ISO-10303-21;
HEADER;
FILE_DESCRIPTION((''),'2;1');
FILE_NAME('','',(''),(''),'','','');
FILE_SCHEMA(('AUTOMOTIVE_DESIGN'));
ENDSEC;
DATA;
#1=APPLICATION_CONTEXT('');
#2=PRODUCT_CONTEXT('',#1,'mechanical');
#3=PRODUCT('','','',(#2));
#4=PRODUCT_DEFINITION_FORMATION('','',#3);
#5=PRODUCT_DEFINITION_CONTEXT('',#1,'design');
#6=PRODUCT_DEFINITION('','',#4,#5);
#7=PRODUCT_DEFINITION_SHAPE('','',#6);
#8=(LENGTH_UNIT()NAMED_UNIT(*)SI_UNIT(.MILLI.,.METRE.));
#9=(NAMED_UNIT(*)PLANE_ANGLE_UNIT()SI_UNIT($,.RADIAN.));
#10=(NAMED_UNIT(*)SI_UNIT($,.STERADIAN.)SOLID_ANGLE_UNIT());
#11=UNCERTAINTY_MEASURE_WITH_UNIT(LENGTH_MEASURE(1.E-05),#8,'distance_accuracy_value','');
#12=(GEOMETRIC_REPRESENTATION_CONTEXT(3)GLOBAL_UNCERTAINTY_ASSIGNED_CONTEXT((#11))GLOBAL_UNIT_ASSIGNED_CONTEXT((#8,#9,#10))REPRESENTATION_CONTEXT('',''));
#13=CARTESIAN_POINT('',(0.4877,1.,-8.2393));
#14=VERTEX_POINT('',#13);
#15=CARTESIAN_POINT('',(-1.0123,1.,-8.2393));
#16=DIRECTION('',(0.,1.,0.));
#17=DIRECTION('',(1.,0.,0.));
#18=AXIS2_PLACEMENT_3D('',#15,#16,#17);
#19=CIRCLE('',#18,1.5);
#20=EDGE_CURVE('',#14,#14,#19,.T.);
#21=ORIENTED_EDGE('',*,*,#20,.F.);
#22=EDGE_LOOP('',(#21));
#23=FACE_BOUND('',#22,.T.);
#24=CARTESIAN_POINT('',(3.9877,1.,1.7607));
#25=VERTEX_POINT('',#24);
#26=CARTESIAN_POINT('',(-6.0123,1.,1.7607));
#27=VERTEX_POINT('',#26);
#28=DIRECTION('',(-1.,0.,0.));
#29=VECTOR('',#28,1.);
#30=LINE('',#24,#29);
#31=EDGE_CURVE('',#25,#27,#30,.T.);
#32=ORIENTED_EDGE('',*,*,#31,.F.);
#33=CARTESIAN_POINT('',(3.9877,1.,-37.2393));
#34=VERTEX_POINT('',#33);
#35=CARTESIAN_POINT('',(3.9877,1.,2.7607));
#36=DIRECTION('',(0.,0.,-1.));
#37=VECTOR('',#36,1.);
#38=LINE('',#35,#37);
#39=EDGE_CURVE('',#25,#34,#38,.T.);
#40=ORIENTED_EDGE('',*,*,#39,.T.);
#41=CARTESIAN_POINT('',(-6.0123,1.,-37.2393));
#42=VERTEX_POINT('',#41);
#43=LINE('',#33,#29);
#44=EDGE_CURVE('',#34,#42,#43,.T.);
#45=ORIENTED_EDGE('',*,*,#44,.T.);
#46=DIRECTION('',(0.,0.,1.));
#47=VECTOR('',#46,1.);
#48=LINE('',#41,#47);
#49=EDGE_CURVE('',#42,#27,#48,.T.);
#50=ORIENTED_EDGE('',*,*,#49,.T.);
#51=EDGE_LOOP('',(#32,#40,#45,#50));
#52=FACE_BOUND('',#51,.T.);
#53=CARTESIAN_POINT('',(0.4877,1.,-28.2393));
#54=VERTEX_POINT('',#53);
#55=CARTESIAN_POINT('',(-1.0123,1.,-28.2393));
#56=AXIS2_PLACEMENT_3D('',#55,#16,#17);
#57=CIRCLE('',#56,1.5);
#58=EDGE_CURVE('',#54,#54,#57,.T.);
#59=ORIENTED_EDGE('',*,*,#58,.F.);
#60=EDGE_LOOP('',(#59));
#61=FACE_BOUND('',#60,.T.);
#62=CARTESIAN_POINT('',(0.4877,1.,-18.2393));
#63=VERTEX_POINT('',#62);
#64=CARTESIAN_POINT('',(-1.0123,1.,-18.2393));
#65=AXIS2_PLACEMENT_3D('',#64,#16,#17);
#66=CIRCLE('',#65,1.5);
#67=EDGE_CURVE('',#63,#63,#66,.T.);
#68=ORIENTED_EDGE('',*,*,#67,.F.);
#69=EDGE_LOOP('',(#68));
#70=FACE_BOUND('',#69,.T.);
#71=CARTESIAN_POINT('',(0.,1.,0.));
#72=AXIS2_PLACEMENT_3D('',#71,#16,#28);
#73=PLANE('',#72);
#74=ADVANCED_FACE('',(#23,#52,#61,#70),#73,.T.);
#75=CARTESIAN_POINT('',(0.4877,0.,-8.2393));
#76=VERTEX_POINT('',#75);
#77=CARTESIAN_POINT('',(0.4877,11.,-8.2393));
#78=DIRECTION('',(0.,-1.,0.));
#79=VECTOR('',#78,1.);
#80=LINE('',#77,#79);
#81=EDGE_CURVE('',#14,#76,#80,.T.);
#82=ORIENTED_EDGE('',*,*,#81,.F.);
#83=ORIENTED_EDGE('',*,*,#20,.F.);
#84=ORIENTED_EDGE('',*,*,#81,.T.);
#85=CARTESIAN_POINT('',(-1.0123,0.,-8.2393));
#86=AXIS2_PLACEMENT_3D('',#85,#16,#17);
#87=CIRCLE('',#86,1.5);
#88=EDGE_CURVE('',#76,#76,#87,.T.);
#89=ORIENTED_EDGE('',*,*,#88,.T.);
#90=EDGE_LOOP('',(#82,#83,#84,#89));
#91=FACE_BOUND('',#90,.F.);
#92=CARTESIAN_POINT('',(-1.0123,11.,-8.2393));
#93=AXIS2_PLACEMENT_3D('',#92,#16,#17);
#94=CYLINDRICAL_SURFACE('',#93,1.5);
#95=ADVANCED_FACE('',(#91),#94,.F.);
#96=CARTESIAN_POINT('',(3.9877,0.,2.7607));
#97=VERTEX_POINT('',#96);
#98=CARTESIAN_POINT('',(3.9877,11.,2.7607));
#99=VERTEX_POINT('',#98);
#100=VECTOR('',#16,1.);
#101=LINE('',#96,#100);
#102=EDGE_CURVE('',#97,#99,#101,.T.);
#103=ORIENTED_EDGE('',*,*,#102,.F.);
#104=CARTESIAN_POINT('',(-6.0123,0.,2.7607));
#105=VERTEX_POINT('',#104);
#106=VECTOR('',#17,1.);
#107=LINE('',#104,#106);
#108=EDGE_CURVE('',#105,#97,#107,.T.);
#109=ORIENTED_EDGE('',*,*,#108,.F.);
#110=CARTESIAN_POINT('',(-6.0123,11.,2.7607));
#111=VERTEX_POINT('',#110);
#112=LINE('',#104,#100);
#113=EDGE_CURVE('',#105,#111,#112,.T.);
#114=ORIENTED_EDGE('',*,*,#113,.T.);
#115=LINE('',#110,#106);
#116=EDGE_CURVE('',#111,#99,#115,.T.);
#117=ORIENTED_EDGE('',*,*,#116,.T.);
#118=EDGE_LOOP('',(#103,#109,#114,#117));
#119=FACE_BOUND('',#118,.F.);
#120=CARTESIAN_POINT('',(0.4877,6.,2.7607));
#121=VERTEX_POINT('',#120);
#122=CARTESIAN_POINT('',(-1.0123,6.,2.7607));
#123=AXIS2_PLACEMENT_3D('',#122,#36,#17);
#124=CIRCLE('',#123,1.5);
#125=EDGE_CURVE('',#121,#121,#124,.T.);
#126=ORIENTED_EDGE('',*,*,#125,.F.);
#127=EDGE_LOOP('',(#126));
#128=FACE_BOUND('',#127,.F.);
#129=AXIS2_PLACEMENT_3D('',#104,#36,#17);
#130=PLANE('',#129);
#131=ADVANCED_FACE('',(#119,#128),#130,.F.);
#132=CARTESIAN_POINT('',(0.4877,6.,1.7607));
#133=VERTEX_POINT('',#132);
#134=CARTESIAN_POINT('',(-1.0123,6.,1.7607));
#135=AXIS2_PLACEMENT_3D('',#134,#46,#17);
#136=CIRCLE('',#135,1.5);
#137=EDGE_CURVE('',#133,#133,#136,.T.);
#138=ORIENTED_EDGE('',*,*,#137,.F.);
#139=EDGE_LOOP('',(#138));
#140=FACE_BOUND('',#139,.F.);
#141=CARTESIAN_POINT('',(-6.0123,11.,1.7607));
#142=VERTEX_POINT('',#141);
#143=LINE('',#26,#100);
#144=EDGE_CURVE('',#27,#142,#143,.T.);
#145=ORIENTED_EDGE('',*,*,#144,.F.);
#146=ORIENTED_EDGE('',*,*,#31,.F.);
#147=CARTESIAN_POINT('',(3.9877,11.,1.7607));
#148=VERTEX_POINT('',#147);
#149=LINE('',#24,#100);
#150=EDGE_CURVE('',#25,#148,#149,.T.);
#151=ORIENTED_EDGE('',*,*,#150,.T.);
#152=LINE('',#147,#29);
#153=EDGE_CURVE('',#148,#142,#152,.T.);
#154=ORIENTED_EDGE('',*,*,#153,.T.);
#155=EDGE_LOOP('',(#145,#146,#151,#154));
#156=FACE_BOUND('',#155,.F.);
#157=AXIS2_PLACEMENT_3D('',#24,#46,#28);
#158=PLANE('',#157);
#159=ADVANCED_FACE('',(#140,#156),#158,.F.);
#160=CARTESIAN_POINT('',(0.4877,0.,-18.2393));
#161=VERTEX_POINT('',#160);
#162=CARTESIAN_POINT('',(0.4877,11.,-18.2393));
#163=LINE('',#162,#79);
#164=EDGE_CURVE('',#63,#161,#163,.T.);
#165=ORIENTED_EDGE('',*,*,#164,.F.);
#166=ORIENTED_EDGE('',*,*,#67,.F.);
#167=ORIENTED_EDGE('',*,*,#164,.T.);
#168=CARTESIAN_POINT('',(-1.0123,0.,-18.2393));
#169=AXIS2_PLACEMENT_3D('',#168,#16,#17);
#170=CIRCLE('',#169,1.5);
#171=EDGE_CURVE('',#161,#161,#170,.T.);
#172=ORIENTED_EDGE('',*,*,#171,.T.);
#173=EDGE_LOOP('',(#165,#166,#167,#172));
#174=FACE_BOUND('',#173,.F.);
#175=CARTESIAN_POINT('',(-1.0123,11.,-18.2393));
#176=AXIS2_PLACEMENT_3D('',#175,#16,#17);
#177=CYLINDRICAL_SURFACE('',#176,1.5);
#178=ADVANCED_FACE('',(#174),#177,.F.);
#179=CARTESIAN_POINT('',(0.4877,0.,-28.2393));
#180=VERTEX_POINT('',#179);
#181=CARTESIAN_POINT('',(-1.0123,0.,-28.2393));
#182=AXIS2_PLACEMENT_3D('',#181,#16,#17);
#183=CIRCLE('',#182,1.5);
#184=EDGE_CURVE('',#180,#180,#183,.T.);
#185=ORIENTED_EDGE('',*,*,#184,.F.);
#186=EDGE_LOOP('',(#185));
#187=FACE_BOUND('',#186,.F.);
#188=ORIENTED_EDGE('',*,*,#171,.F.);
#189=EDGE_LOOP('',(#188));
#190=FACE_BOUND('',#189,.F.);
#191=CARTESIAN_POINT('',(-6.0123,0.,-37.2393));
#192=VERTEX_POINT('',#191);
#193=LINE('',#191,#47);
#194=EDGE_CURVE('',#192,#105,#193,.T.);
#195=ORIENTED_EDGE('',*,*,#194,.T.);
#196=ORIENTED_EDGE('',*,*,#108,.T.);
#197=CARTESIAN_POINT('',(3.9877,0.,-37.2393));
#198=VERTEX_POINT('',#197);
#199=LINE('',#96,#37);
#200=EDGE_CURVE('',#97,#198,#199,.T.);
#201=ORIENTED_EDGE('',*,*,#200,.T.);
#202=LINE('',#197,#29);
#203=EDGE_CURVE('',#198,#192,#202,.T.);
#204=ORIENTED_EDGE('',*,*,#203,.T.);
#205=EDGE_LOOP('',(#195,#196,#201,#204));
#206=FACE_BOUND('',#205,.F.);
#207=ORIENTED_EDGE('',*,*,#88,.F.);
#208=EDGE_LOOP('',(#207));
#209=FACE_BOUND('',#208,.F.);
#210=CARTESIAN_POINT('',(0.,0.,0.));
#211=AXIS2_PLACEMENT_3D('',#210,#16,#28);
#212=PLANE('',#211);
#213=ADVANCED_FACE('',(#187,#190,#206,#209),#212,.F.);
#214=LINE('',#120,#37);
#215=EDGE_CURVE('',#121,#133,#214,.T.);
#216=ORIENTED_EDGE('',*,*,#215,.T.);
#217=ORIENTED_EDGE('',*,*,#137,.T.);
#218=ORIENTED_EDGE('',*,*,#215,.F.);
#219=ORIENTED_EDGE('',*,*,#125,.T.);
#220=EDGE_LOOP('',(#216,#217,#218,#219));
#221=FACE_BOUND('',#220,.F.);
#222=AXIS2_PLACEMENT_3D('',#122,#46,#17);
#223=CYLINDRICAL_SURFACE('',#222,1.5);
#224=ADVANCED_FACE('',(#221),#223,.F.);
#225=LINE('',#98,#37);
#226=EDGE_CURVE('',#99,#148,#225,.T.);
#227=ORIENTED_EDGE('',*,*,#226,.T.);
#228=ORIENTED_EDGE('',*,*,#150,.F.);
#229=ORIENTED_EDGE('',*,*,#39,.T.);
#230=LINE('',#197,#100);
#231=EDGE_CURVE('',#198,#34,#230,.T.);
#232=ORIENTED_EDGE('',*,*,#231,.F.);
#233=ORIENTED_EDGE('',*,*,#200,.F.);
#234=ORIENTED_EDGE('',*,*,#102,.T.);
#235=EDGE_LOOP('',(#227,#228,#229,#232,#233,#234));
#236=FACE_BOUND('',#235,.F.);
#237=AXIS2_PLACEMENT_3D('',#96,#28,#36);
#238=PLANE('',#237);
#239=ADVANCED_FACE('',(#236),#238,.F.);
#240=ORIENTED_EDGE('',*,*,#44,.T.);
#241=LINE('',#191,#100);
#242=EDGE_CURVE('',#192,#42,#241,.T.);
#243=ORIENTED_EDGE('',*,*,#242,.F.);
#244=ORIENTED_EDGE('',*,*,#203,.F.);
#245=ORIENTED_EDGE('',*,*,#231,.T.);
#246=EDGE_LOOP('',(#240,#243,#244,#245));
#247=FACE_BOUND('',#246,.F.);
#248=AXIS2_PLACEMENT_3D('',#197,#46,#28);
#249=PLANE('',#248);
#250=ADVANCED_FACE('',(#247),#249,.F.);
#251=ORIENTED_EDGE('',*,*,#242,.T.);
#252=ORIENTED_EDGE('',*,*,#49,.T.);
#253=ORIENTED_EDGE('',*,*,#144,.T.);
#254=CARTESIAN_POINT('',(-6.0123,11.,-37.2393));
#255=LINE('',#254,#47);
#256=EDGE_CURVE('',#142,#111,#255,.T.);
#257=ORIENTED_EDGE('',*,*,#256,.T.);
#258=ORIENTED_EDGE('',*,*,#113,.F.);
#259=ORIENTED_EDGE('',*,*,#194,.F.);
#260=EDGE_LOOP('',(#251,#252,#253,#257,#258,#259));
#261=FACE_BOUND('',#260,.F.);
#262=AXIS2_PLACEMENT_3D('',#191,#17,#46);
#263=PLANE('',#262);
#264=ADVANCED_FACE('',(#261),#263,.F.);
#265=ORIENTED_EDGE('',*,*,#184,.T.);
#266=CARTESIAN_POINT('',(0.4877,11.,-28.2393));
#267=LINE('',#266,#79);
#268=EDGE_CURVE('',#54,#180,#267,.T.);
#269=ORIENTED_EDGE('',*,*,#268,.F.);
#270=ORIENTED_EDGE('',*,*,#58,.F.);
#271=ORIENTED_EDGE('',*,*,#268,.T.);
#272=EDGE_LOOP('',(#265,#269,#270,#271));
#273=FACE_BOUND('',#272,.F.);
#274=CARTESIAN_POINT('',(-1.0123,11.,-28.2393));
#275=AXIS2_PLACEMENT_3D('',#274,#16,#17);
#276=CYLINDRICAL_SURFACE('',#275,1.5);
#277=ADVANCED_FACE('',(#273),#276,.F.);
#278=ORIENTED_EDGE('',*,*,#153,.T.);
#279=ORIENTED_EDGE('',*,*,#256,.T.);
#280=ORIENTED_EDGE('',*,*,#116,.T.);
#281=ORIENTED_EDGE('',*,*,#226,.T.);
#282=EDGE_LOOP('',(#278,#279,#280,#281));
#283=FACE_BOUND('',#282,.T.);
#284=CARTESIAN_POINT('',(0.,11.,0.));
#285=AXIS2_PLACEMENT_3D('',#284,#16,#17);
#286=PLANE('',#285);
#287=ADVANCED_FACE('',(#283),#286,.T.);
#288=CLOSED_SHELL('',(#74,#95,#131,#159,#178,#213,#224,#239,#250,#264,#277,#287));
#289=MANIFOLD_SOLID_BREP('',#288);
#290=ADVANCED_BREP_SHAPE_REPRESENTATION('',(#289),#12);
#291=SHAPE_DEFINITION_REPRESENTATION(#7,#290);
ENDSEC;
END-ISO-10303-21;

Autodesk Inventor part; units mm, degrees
ref_plane "YZ Plane" through (0, 0, 0) normal (1, 0, 0) x (0, 1, 0)
ref_plane "XZ Plane" through (0, 0, 0) normal (0, 1, 0) x (-1, 0, 0)
ref_plane "XY Plane" through (0, 0, 0) normal (0, 0, 1) x (1, 0, 0)
sketch "草图1" plane through (0, 0, 0) normal (0, 1, 0) x (-1, 0, 0)
  line L0 (6.0123, 2.7607) -> (-3.9877, 2.7607)
  line L1 (-3.9877, 2.7607) -> (-3.9877, -37.2393)
  line L2 (-3.9877, -37.2393) -> (6.0123, -37.2393)
  line L3 (6.0123, -37.2393) -> (6.0123, 2.7607)
  point P0 (0, 0)
  dimension "d0" = 40
  dimension "d1" = 10
extrude "拉伸1" add sketch "草图1" along normal blind 1
sketch "草图2" plane through (0, 1, 0) normal (0, 1, 0) x (1, 0, 0)
  line L0 (-6.0123, 37.2393) -> (-6.0123, -2.7607) projected
  line L1 (3.9877, -2.7607) -> (3.9877, 37.2393) projected
  line L2 (-6.0123, -2.7607) -> (3.9877, -2.7607)
  line L3 (3.9877, -2.7607) -> (3.9877, -1.7607)
  line L4 (3.9877, -1.7607) -> (-6.0123, -1.7607)
  line L5 (-6.0123, -1.7607) -> (-6.0123, -2.7607)
  point P0 (0, 0)
  point P1 (3.9877, -2.7607)
  dimension "d4" = 1
extrude "拉伸2" add sketch "草图2" along normal blind 10
sketch "草图3" plane through (0, 11, 0) normal (0, 1, 0) x (1, 0, 0)
  line L0 (3.9877, -1.7607) -> (-6.0123, -1.7607) projected
  line L1 (-1.0123, -1.7607) -> (-1.0123, 8.2393)
  circle A0 centre (-1.0123, 8.2393) radius 1.5
  line L2 (-1.0123, 8.2393) -> (-1.0123, 18.2393)
  circle A1 centre (-1.0123, 18.2393) radius 1.5
  line L3 (-1.0123, 18.2393) -> (-1.0123, 28.2393)
  circle A2 centre (-1.0123, 28.2393) radius 1.5
  point P0 (0, 0)
  dimension "d7" = 10
  dimension "d8" = 3
  dimension "d15" = 10
  dimension "d16" = 3
  dimension "d17" = 10
  dimension "d18" = 3
extrude "拉伸3" cut sketch "草图3" against normal blind 100
sketch "草图4" plane through (-6.0123, 0, 2.7607) normal (0, 0, 1) x (1, 0, 0)
  line L0 (0, 11) -> (10, 11) projected
  line L1 (5, 11) -> (5, 6)
  circle A0 centre (5, 6) radius 1.5
  point P0 (6.0123, 0)
  dimension "d11" = 5
  dimension "d12" = 3
extrude "拉伸4" cut sketch "草图4" against normal blind 100
equation "\"折弯半径\" = 厚度"
equation "\"折弯释压宽度\" = 厚度"
equation "\"折弯释压深度\" = 0.5 * 厚度"
equation "\"拐角释压尺寸\" = 4 * 厚度"
equation "\"最小余量\" = 2 * 厚度"
equation "\"过渡半径\" = 折弯半径"
equation "\"Jacobi半径尺寸\" = 折弯半径"
equation "\"间隙大小\" = 厚度"
equation "\"厚度\" = 0.5"
